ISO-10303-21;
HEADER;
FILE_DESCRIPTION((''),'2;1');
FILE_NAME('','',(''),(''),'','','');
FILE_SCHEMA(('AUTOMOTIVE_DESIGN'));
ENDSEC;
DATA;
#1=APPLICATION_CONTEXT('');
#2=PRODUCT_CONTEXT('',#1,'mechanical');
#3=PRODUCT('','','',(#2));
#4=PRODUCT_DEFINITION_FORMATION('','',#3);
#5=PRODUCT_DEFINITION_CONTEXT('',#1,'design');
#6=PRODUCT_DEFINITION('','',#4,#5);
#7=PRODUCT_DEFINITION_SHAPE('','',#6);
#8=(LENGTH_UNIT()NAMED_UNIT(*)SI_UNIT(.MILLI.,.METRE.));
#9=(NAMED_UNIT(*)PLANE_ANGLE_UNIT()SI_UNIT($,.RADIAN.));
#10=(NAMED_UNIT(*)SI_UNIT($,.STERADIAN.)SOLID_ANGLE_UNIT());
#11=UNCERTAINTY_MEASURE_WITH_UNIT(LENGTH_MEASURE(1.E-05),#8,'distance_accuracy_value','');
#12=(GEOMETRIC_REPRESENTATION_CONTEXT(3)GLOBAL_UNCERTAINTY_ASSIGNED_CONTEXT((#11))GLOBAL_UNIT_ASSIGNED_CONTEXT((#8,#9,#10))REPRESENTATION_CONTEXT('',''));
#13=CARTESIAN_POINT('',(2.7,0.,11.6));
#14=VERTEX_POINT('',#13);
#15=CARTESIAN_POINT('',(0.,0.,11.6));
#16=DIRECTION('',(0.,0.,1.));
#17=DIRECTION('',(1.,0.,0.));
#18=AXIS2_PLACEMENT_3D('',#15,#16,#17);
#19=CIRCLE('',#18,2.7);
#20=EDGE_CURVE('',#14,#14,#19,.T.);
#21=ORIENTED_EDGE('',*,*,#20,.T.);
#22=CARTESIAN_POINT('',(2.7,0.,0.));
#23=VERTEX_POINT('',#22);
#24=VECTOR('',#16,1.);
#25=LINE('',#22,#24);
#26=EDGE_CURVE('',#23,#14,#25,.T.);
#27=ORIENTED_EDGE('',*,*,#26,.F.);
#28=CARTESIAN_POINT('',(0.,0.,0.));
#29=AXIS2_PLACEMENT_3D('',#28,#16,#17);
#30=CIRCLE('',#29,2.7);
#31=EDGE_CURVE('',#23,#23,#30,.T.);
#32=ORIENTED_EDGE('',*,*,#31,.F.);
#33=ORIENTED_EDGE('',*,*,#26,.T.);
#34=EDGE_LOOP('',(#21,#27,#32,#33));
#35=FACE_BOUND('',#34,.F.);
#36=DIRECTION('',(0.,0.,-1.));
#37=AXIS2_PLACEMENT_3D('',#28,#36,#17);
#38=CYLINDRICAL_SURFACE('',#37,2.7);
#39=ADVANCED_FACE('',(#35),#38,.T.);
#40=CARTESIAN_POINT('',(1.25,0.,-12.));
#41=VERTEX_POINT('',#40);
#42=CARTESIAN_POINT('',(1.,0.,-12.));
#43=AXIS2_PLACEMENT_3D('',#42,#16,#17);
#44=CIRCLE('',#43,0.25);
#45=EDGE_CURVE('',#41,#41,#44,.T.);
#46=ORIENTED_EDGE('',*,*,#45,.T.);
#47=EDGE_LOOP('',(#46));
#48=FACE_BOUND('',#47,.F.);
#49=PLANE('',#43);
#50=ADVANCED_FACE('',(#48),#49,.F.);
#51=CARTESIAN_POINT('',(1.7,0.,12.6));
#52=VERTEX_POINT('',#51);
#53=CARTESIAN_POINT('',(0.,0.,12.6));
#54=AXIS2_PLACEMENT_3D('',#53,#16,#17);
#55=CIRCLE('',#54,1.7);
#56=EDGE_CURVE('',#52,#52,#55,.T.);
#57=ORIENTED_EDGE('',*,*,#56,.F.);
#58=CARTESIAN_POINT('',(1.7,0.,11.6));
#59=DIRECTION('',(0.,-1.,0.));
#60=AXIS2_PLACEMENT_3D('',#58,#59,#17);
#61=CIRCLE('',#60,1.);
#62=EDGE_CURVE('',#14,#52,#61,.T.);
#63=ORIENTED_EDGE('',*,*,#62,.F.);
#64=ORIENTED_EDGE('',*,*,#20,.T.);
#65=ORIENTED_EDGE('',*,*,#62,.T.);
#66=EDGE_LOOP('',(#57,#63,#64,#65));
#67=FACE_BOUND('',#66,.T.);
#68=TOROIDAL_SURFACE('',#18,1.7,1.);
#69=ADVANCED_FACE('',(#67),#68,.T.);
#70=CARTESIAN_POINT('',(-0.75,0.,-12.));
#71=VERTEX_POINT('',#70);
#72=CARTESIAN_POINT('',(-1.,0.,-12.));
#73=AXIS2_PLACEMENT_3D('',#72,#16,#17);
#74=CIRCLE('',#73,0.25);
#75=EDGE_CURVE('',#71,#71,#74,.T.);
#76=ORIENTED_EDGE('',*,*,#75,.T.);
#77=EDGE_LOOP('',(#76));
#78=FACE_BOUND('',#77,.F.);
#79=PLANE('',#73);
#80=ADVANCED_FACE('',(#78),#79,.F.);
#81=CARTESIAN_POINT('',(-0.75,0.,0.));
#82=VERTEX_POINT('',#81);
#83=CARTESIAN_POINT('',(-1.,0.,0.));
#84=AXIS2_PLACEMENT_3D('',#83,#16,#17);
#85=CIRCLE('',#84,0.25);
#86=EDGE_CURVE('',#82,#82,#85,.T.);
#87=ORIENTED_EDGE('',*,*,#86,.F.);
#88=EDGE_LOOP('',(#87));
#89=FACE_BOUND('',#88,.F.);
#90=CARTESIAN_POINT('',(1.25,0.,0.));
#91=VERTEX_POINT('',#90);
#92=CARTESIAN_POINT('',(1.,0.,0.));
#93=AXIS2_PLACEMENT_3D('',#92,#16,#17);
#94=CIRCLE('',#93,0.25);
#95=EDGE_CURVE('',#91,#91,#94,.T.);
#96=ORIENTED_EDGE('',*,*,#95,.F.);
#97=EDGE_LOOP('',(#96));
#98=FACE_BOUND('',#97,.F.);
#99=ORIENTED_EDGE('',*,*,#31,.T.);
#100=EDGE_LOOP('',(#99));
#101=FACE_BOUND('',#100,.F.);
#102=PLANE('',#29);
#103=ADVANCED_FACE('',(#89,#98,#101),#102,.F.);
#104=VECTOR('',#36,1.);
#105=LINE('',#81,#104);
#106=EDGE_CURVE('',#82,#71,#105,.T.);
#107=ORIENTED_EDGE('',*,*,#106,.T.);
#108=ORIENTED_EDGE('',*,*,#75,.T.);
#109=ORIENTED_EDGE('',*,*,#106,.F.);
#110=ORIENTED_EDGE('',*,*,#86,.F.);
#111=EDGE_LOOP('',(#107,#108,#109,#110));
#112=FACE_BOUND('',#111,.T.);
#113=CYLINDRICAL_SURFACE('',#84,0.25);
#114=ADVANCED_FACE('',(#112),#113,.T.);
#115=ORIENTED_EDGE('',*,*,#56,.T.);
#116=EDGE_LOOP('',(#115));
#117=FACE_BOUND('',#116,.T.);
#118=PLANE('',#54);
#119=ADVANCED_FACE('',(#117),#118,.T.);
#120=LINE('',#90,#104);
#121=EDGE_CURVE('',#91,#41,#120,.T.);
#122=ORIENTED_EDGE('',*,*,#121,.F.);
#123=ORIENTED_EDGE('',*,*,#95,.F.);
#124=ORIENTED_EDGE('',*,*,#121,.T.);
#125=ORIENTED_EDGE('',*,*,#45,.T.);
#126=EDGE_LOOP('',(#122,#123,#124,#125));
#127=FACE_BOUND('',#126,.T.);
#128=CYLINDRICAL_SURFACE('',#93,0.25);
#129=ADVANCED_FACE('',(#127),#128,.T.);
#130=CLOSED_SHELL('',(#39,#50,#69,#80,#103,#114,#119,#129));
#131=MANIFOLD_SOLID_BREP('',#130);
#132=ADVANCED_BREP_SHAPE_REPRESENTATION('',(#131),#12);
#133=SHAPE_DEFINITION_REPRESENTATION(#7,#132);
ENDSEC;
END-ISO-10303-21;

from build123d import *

# Parameters (mm, degrees)
F0_R     = 2.7
F1_DEPTH = 12.6
F2_R     = 1
F3_R     = 0.25
F4_DEPTH = 12


with BuildPart() as f1:
    # F0 (on Top) → F1 (new body)
    with BuildSketch(Plane.XY):
        Circle(F0_R)
    extrude(amount=F1_DEPTH)

    # F2
    f2_edges = [f1.edges().sort_by_distance(p)[0] for p in [
        (-2.7, 0, 12.6),
    ]]
    fillet(f2_edges, radius=F2_R)

    # F3 (on Top) → F4 (join)
    with BuildSketch(Plane.XY):
        with Locations((-1, 0)):
            Circle(F3_R)
        with Locations((1, 0)):
            Circle(F3_R)
    extrude(amount=-F4_DEPTH)


solid = f1.part
